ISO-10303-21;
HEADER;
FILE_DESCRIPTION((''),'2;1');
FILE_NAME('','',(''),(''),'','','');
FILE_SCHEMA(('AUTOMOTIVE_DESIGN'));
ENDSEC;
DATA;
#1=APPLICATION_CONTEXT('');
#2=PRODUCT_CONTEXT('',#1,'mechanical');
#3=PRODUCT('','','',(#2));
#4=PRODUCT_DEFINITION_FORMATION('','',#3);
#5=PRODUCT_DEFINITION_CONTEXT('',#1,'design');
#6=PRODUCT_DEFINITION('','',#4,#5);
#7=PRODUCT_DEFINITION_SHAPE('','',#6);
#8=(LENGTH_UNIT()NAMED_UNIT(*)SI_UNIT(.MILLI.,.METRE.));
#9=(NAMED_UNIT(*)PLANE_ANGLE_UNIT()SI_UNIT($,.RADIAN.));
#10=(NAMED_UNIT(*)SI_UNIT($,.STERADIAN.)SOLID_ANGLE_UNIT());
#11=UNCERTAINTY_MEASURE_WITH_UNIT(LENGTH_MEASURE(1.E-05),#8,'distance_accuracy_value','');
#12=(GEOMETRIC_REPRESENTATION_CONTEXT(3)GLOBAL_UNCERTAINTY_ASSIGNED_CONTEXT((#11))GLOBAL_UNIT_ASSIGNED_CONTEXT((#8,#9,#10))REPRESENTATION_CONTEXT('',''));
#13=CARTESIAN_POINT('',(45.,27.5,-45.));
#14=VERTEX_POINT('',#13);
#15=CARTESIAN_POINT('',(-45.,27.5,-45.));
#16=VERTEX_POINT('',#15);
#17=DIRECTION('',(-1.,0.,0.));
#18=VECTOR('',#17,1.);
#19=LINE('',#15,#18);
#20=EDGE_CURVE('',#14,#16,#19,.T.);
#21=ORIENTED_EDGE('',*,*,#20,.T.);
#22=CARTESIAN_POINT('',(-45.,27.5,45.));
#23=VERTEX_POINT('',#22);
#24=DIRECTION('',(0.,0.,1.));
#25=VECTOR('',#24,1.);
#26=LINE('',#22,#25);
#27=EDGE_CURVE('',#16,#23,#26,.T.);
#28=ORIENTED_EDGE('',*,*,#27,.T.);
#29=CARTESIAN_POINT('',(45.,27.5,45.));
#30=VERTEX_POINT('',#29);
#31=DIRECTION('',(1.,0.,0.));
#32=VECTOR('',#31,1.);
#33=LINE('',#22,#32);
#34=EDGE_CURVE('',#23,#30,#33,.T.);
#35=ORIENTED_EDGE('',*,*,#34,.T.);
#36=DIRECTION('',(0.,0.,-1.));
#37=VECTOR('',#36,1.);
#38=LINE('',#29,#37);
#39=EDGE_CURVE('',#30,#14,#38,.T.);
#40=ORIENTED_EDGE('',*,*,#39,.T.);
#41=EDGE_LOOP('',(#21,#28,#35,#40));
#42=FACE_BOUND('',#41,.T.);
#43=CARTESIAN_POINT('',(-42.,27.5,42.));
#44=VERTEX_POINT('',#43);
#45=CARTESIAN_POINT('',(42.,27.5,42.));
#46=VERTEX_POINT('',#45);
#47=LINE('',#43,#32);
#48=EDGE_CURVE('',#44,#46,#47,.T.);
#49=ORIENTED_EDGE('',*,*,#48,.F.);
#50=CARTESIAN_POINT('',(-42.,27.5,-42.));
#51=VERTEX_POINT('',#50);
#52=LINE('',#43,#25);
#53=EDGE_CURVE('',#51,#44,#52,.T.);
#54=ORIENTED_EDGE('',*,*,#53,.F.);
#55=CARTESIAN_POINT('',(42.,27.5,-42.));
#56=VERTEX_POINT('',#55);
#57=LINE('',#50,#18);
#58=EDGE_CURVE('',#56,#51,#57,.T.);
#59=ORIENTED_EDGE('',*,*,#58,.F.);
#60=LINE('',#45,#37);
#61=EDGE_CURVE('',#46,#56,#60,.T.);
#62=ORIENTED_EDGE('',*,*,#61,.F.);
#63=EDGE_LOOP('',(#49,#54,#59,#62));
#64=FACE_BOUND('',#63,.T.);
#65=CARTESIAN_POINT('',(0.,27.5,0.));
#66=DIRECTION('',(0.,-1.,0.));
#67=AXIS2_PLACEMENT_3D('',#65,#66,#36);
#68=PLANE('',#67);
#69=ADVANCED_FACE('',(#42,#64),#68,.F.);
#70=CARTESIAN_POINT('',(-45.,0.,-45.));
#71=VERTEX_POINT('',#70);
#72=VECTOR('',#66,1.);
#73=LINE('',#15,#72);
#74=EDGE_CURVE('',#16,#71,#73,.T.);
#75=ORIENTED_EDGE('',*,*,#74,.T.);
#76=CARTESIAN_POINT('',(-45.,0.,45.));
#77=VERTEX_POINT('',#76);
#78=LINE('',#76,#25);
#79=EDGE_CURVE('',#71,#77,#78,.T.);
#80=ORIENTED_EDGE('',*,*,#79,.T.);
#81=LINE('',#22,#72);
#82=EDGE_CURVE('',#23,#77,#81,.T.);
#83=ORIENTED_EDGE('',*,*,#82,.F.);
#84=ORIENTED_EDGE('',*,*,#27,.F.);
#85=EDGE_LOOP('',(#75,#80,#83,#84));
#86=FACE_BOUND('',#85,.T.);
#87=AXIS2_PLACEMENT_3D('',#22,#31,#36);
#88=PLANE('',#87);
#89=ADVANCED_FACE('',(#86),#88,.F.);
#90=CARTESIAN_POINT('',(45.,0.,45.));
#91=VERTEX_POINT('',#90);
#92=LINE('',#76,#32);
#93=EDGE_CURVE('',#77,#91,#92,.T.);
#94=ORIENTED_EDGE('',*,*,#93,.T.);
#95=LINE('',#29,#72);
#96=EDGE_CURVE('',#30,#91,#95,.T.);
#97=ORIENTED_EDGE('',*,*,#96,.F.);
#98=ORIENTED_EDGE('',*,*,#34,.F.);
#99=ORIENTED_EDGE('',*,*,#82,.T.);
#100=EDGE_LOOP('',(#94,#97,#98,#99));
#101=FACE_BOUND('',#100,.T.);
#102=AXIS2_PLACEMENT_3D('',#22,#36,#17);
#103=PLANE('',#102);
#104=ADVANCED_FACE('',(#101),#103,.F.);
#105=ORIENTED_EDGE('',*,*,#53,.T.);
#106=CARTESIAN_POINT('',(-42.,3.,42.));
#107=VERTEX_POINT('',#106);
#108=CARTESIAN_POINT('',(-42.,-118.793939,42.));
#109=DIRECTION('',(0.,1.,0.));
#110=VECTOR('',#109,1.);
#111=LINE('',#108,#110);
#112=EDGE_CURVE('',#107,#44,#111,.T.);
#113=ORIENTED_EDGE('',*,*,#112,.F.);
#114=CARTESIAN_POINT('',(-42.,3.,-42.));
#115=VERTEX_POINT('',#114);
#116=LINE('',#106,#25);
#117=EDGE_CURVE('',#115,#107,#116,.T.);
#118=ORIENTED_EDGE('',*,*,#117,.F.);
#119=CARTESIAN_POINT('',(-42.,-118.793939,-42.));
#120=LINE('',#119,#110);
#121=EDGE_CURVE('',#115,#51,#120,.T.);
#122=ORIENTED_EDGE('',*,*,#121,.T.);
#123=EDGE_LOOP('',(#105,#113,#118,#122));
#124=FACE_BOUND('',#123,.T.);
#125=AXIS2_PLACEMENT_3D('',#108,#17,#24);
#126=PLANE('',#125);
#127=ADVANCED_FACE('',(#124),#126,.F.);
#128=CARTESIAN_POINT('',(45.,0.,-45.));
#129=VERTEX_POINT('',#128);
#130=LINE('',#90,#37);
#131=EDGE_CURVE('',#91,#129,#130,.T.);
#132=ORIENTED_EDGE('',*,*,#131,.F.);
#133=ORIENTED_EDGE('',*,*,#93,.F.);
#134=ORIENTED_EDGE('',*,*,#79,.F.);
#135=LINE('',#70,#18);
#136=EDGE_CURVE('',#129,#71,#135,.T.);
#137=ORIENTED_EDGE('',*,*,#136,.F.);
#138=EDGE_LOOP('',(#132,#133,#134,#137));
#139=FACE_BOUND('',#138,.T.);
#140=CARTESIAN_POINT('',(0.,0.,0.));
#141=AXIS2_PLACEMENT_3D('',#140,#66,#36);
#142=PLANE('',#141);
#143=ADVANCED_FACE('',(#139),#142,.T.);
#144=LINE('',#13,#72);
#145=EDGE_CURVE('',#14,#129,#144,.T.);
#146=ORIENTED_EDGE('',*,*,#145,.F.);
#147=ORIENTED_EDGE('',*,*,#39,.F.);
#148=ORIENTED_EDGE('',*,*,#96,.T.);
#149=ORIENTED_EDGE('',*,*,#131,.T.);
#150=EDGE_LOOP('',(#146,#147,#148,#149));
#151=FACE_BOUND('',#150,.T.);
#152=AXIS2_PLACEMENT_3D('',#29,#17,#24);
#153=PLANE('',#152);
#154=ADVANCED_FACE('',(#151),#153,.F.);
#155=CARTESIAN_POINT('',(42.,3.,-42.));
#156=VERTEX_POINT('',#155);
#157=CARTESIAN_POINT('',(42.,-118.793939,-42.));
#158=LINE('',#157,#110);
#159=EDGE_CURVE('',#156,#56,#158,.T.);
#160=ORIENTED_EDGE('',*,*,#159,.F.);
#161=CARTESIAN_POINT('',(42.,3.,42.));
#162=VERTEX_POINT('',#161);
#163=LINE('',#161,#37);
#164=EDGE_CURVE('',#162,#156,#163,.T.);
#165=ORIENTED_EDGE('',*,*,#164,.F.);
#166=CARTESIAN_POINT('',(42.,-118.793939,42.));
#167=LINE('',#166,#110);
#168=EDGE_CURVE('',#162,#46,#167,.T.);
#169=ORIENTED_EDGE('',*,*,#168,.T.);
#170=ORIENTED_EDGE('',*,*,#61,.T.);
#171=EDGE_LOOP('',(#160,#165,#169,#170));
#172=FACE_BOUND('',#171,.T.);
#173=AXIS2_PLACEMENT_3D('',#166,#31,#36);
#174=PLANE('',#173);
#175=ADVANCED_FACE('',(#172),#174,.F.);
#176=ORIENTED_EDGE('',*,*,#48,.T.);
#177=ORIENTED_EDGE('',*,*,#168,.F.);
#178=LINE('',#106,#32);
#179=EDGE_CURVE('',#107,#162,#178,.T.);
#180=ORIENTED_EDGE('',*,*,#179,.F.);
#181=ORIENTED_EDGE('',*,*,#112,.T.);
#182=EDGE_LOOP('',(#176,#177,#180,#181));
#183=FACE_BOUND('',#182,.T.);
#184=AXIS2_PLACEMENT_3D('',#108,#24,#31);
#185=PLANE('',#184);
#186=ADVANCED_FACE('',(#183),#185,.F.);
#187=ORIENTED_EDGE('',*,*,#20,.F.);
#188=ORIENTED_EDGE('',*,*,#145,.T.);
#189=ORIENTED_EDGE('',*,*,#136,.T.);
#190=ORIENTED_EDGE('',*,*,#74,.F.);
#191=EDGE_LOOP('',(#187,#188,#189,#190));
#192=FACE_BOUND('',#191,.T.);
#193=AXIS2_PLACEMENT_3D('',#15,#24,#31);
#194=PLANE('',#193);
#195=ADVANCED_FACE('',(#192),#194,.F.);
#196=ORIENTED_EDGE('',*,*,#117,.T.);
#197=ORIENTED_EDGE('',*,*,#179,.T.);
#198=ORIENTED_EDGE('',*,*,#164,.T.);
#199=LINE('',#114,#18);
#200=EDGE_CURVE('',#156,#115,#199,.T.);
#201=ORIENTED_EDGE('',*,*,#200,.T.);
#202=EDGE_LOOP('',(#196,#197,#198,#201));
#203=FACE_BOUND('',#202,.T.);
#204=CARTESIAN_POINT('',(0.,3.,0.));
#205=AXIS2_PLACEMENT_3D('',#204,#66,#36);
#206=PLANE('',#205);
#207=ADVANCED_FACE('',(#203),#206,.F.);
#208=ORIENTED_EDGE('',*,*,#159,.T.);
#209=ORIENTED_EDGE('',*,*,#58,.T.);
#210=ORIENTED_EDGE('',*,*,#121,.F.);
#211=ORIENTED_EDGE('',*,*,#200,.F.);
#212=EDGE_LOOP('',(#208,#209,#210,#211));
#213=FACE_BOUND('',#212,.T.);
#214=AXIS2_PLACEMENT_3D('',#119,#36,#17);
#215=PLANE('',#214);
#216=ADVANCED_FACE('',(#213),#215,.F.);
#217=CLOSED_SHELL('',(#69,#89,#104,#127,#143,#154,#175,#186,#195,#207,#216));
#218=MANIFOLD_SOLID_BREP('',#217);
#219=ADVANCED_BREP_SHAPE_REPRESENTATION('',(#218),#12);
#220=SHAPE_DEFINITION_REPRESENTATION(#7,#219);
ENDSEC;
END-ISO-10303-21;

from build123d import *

# Parameters (mm, degrees)
SKETCH1_W           = 90
SKETCH1_H           = 90
BOSS_EXTRUDE1_DEPTH = 27.5
SKETCH2_W           = 84
SKETCH2_H           = 84
CUT_EXTRUDE1_DEPTH  = 24.5


with BuildPart() as part:
    # Sketch1 → Boss-Extrude1 (new body)
    with BuildSketch(Plane(origin=(0, 0, 0), x_dir=(1, 0, 0), z_dir=(0, 1, 0))):
        Rectangle(SKETCH1_W, SKETCH1_H)
    extrude(amount=BOSS_EXTRUDE1_DEPTH)

    # Sketch2 → Cut-Extrude1 (cut)
    with BuildSketch(Plane(origin=(0, 27.5, 0), x_dir=(1, 0, 0), z_dir=(0, 1, 0))):
        Rectangle(SKETCH2_W, SKETCH2_H)
    extrude(amount=-CUT_EXTRUDE1_DEPTH, mode=Mode.SUBTRACT)


solid = part.part
